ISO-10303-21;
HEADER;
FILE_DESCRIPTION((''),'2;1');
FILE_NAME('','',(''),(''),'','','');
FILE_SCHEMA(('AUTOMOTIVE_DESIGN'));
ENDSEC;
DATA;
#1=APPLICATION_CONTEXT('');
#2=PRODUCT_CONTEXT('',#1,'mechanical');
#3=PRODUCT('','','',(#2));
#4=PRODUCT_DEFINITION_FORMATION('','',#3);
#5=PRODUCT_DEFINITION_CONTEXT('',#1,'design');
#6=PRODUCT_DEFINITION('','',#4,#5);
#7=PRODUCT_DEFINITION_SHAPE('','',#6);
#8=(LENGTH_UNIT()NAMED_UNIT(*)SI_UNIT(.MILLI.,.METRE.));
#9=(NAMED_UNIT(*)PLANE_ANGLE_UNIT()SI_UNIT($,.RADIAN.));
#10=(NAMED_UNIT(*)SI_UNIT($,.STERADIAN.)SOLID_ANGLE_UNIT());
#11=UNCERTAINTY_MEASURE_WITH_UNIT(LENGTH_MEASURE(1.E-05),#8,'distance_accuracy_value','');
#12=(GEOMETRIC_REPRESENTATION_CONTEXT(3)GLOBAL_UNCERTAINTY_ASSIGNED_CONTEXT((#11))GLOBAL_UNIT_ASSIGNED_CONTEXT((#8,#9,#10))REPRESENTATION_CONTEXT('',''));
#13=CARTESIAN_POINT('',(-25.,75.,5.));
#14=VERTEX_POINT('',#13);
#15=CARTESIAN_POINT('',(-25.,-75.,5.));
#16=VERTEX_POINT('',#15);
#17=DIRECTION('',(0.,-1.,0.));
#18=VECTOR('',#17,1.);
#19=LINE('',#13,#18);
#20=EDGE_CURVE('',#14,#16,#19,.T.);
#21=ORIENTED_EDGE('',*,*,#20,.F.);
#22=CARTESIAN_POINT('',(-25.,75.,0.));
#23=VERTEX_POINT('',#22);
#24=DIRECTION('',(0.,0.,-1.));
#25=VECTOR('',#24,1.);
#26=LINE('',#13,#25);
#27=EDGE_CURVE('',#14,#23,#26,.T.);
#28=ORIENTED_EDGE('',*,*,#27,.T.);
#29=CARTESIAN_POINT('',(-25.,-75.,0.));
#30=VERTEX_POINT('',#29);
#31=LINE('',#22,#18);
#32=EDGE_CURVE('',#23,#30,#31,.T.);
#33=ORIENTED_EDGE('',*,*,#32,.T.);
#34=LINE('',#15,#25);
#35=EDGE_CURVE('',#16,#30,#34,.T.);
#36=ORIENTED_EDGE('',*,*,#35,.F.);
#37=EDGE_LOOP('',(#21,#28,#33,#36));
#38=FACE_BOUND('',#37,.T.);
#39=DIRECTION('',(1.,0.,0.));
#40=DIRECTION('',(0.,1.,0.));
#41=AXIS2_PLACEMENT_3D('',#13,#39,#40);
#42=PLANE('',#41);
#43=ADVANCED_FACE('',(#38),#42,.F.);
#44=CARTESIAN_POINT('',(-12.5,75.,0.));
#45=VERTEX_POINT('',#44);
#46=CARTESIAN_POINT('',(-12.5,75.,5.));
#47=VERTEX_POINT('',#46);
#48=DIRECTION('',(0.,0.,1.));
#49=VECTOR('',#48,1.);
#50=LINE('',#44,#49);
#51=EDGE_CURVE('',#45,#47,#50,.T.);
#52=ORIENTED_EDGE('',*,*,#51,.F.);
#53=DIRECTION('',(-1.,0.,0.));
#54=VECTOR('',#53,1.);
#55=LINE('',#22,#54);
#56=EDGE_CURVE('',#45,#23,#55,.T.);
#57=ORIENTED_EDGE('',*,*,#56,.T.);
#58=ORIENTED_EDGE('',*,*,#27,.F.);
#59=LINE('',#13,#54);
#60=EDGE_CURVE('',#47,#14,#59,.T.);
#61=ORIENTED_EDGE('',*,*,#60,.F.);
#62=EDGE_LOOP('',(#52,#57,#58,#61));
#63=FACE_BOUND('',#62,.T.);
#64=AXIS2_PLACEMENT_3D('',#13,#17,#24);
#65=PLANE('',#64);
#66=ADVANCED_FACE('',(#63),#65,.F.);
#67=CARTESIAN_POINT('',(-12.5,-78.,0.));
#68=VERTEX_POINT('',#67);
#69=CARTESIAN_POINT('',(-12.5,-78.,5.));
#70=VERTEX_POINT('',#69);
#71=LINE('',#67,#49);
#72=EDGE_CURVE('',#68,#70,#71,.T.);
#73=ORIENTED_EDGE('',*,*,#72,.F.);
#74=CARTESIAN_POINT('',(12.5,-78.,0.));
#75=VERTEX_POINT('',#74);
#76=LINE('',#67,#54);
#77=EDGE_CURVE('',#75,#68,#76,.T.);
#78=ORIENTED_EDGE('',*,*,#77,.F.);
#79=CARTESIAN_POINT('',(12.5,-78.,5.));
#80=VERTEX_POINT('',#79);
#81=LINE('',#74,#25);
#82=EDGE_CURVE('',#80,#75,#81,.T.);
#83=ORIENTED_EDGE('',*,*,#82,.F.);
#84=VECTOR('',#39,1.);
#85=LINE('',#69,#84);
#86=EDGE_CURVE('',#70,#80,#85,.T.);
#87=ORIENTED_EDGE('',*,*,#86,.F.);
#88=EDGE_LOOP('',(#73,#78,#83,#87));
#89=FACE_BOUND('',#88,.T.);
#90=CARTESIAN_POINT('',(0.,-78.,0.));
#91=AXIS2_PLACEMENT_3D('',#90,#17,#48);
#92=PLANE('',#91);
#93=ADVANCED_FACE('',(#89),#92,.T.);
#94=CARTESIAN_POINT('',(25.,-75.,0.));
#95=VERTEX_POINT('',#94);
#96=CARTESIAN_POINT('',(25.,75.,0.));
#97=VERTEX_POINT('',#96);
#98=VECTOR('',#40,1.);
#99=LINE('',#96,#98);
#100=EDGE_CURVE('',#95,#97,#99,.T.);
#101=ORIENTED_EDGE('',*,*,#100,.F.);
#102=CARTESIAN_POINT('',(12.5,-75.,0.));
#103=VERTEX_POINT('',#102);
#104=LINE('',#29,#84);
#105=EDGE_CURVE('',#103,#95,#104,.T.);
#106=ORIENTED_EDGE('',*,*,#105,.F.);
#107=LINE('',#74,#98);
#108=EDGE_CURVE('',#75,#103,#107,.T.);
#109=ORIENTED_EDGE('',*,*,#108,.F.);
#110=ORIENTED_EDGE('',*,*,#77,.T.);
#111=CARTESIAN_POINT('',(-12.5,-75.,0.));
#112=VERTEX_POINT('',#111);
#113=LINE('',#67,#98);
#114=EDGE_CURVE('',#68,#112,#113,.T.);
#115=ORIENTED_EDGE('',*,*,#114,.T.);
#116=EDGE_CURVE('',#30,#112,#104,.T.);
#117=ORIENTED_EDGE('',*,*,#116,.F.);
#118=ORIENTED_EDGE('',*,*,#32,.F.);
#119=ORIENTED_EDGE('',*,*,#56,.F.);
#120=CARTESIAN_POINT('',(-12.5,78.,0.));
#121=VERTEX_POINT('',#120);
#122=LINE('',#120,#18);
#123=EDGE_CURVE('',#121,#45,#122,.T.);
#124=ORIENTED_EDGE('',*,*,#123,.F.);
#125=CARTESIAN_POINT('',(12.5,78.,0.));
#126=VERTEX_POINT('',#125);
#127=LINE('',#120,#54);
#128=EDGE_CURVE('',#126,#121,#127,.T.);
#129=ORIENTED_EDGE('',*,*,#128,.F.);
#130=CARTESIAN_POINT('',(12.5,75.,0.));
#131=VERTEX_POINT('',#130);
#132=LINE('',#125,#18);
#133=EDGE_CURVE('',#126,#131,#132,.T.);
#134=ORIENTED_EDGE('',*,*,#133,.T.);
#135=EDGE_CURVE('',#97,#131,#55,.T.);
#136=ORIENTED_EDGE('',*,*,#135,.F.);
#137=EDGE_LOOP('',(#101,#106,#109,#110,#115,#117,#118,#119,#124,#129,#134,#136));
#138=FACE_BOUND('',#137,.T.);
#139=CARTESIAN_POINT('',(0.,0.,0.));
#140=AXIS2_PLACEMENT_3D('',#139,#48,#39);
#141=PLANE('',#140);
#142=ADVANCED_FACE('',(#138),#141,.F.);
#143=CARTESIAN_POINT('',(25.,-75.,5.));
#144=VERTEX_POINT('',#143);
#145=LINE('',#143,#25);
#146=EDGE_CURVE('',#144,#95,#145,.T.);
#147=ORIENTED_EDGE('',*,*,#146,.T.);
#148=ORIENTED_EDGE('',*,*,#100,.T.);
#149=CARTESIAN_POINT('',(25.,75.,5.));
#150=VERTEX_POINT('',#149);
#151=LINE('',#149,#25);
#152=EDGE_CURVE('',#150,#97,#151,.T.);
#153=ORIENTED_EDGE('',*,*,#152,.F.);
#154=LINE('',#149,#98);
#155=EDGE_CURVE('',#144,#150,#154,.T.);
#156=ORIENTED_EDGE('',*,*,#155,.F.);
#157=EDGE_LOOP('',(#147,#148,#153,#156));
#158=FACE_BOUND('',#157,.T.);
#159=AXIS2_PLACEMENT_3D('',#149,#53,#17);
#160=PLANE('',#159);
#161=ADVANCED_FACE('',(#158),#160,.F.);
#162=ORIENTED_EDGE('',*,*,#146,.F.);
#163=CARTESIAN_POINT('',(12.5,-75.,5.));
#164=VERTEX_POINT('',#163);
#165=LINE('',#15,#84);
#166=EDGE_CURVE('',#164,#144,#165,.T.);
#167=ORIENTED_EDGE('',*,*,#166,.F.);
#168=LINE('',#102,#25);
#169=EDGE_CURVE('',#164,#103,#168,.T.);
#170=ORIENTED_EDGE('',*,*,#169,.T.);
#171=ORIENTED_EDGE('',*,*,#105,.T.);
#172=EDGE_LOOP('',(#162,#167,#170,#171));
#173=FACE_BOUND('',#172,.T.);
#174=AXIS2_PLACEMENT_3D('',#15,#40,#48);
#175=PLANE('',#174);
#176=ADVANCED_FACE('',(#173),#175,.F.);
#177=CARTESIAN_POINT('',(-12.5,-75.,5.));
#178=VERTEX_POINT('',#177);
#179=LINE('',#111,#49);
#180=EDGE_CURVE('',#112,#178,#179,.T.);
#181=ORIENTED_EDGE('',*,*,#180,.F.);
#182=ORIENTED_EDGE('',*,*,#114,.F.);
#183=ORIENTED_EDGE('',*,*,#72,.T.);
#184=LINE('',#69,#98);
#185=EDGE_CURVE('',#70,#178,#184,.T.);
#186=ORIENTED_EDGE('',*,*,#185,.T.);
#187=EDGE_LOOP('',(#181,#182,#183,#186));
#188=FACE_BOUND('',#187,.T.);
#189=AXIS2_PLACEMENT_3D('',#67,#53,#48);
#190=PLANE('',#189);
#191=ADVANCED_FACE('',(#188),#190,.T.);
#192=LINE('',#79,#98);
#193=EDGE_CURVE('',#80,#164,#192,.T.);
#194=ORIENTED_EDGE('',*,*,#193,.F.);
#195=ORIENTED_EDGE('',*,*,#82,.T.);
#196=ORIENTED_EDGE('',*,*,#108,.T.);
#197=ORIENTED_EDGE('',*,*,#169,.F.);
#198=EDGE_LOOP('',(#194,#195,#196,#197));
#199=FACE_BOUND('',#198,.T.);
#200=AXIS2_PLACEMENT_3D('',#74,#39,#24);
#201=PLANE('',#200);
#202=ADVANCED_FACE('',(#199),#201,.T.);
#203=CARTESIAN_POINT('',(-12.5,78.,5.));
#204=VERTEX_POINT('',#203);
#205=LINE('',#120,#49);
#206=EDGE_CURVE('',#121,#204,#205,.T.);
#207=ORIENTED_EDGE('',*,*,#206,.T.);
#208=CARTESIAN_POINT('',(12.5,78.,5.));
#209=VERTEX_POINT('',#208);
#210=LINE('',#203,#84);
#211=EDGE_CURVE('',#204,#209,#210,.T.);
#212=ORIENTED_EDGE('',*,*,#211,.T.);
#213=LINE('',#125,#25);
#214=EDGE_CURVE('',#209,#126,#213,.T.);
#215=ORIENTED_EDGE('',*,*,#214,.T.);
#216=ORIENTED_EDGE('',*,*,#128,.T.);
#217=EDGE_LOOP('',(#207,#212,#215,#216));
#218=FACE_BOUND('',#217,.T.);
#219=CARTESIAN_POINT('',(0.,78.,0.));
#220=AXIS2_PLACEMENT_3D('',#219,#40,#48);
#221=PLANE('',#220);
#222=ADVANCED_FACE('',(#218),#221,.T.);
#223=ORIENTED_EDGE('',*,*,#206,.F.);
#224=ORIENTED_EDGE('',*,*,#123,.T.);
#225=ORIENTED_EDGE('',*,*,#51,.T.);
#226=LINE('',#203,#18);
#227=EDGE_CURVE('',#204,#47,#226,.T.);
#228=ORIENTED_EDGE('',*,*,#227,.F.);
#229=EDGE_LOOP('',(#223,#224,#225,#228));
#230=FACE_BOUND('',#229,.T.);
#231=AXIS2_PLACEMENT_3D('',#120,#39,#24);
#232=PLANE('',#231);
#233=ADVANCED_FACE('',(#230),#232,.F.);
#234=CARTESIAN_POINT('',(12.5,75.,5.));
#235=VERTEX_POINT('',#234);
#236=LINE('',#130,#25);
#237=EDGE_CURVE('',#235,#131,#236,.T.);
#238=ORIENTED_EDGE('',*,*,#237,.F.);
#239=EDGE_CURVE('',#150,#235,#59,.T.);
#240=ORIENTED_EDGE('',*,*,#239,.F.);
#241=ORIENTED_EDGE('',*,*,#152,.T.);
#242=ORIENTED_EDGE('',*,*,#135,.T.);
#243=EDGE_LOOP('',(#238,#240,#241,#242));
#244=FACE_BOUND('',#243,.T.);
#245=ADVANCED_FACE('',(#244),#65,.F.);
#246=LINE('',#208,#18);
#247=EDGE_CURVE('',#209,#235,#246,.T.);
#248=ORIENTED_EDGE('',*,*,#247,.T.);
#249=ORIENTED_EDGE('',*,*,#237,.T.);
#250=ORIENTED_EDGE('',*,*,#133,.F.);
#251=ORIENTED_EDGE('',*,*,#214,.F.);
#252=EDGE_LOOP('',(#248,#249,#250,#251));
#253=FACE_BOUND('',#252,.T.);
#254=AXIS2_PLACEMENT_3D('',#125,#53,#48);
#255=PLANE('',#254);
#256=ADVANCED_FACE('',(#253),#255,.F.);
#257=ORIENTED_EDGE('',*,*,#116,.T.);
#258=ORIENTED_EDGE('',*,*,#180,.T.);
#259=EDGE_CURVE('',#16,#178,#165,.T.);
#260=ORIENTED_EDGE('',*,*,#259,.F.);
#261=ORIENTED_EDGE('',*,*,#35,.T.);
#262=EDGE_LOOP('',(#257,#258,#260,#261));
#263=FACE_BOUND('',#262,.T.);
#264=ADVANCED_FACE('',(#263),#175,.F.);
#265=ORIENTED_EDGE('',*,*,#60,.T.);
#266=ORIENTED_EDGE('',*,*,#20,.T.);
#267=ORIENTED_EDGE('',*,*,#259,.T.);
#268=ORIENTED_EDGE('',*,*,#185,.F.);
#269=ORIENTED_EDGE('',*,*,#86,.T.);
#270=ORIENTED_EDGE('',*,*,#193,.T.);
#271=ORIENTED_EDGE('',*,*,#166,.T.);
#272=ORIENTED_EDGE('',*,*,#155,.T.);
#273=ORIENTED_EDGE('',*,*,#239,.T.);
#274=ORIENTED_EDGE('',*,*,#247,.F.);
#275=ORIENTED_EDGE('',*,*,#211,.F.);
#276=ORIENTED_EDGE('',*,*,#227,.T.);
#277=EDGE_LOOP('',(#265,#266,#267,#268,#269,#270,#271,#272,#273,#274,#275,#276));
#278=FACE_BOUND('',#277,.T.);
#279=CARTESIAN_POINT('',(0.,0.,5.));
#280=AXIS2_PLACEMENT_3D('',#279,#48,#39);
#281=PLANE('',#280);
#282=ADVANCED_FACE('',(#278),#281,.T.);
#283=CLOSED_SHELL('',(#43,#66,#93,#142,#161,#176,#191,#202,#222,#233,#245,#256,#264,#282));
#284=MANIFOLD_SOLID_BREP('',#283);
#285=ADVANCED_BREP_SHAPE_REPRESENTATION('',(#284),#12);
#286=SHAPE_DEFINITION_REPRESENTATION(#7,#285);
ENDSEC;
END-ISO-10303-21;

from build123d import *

# Parameters (mm, degrees)
SKETCH1_W           = 50
SKETCH1_H           = 150
BOSS_EXTRUDE1_DEPTH = 5
SKETCH2_W           = 25
SKETCH2_H           = 5
BOSS_EXTRUDE2_DEPTH = 3


with BuildPart() as part:
    # Sketch1 → Boss-Extrude1 (new body)
    with BuildSketch(Plane.XY):
        Rectangle(SKETCH1_W, SKETCH1_H)
    extrude(amount=BOSS_EXTRUDE1_DEPTH)

    # Sketch2 → Boss-Extrude2 (add)
    with BuildSketch(Plane(origin=(0, 75, 0), x_dir=(1, 0, 0), z_dir=(0, 1, 0))):
        with Locations((0, -2.5)):
            Rectangle(SKETCH2_W, SKETCH2_H)
    boss_extrude2 = extrude(amount=BOSS_EXTRUDE2_DEPTH)

    # Mirror1: Boss-Extrude2 across plane
    add(boss_extrude2.mirror(Plane.ZX))


solid = part.part
